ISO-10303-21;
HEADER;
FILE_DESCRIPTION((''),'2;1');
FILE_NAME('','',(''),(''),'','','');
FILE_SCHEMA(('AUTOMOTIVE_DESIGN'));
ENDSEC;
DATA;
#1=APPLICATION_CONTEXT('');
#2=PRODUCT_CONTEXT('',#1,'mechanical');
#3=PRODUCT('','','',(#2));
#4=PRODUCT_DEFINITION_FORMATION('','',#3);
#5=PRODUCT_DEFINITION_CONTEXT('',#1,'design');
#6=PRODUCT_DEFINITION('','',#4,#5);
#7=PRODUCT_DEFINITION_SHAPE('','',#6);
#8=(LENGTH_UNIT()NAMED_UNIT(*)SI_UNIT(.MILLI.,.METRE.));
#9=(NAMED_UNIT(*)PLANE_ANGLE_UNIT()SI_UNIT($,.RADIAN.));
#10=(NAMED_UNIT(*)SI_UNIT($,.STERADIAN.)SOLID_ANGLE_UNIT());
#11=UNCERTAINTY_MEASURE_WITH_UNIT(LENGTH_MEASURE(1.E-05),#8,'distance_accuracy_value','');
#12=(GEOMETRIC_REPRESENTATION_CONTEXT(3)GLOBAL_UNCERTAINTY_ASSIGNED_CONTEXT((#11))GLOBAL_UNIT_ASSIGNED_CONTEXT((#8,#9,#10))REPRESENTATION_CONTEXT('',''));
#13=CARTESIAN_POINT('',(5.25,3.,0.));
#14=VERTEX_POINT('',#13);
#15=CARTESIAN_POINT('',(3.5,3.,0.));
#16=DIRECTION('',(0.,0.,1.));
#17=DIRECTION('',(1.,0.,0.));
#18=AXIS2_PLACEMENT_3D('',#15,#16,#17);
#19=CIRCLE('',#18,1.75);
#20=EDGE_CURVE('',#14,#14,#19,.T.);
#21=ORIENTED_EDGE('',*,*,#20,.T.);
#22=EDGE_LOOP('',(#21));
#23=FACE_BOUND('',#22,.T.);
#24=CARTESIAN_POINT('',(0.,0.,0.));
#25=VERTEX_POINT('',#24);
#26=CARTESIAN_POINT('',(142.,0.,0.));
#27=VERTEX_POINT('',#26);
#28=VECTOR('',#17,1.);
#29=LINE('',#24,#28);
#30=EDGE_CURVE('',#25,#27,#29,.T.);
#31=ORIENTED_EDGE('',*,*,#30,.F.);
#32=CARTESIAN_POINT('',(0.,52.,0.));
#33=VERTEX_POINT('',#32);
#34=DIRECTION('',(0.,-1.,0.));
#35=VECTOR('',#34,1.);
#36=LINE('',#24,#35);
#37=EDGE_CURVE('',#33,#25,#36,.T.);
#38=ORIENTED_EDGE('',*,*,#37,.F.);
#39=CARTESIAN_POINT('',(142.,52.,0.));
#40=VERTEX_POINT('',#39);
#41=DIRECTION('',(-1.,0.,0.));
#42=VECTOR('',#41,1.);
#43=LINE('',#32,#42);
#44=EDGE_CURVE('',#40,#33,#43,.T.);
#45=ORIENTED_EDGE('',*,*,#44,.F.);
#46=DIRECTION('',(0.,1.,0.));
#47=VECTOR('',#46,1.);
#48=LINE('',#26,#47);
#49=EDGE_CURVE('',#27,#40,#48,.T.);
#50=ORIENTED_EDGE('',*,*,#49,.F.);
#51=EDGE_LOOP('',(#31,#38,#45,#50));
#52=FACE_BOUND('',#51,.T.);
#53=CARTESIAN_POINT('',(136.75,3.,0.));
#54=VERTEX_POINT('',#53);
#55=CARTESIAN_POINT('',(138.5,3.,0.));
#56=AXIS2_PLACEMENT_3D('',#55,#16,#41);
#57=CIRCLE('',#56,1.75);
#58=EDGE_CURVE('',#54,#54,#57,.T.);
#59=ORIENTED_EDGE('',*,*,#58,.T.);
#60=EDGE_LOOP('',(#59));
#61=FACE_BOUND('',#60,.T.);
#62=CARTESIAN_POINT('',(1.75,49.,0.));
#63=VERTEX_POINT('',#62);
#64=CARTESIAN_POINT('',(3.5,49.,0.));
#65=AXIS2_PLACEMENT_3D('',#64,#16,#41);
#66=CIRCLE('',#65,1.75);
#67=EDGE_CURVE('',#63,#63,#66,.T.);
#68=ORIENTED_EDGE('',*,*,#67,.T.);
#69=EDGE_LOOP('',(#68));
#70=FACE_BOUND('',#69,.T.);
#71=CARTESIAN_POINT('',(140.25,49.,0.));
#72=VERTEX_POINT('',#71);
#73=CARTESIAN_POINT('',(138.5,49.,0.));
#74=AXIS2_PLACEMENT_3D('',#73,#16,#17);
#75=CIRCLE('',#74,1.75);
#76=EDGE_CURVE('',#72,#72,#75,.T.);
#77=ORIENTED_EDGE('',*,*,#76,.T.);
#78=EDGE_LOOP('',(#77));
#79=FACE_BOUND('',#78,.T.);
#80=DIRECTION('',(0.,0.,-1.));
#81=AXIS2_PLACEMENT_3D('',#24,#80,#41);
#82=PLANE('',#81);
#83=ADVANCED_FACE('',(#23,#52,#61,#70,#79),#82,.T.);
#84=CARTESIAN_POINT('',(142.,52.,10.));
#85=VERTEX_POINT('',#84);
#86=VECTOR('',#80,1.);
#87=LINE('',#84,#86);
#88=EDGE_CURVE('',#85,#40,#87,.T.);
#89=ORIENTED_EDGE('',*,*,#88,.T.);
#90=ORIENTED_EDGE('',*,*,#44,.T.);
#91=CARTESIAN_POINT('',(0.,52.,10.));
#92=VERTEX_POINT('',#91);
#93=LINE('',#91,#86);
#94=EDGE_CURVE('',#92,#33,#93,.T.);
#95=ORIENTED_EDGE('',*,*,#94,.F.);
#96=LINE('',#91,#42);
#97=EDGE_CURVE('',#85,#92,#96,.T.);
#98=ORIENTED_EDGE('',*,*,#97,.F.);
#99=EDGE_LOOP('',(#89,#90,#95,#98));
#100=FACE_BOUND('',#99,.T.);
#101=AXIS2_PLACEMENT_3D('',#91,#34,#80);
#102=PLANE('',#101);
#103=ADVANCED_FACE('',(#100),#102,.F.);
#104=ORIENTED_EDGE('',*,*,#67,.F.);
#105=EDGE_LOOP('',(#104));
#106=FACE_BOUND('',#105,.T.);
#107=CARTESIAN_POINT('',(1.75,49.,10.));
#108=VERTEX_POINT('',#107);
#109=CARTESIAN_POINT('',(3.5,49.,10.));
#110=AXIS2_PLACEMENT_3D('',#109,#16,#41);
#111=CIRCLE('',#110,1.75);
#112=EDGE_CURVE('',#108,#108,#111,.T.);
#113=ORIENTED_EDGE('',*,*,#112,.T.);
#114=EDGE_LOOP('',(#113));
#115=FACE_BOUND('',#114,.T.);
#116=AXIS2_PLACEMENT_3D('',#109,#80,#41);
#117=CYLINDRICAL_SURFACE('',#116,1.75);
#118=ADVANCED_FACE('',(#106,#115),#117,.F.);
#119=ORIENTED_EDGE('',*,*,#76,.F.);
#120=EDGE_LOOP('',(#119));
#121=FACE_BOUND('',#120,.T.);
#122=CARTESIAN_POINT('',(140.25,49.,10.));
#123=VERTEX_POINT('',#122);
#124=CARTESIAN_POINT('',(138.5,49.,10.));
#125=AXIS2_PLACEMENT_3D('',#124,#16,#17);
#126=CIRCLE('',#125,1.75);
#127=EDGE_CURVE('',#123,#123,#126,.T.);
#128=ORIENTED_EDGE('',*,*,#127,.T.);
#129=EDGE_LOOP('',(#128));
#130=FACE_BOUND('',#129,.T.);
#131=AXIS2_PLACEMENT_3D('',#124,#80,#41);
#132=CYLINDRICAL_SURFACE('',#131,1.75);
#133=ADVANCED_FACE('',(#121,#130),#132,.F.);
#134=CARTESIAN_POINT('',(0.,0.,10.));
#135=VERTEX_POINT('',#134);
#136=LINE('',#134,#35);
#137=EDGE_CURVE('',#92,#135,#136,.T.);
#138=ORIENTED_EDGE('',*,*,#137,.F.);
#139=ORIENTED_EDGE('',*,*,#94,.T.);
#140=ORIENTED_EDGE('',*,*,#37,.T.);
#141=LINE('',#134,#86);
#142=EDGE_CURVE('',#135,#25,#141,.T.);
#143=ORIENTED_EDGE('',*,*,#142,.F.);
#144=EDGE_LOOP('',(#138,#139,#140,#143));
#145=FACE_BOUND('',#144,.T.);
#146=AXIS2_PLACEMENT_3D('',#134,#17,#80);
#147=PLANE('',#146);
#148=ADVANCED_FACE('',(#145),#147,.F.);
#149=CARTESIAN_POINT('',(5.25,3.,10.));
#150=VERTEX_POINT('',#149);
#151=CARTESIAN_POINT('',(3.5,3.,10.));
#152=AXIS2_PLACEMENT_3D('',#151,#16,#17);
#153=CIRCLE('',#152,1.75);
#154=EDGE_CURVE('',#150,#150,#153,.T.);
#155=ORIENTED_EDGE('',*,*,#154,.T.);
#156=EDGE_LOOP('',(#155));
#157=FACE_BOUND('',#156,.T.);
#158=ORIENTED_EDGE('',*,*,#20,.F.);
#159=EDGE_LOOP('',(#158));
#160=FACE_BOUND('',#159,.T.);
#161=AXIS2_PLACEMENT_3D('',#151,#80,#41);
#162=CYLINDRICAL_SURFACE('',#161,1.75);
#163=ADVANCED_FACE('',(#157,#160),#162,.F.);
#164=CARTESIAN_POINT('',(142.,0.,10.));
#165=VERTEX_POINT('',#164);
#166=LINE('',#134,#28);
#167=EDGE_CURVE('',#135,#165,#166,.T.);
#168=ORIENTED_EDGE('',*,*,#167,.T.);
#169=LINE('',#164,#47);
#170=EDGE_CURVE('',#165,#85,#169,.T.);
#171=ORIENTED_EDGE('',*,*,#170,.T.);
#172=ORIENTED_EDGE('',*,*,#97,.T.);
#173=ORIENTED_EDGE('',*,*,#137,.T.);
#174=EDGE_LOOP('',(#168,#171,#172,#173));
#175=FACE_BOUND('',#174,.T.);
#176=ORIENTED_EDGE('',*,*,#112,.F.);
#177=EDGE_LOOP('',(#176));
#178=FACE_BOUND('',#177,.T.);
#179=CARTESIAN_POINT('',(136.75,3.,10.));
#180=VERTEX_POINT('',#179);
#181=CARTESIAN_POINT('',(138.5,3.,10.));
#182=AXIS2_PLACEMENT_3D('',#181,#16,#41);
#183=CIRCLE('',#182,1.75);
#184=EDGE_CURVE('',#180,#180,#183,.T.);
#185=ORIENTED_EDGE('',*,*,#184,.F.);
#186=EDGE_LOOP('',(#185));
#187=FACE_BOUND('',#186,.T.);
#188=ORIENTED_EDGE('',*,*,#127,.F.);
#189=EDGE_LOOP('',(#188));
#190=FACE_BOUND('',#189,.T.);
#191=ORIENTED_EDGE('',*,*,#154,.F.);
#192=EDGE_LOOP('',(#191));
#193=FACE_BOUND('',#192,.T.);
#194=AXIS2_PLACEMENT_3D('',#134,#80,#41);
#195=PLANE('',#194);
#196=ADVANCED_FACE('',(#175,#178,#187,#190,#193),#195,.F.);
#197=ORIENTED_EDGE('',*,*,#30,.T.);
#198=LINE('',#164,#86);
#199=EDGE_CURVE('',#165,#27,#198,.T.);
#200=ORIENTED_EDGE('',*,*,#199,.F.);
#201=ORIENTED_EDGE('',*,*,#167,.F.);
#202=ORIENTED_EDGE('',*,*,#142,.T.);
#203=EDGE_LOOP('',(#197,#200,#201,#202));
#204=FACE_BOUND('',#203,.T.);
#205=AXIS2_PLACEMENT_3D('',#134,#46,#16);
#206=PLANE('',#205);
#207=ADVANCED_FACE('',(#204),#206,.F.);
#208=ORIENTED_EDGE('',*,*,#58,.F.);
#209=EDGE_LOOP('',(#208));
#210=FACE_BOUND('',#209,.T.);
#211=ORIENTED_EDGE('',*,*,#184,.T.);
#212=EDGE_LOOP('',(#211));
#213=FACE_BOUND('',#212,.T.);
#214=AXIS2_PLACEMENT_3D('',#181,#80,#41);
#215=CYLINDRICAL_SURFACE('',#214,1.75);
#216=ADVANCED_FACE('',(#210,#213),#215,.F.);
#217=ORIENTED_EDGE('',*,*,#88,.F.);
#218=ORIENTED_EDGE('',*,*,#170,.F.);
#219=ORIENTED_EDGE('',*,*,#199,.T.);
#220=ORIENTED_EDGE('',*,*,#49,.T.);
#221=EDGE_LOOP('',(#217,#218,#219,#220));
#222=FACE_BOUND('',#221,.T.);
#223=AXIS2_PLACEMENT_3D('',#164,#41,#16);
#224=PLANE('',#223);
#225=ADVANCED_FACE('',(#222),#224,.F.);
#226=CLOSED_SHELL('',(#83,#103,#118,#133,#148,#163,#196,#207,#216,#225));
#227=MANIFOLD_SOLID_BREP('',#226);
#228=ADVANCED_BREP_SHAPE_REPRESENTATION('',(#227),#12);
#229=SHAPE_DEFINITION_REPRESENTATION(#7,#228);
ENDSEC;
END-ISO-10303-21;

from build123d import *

# Parameters (mm, degrees)
SKETCH1_W           = 142
SKETCH1_H           = 52
SKETCH1_R           = 1.75
BOSS_EXTRUDE1_DEPTH = 10


with BuildPart() as part:
    # Sketch1 → Boss-Extrude1 (new body)
    with BuildSketch(Plane.XY):
        with Locations((71, 26)):
            Rectangle(SKETCH1_W, SKETCH1_H)
        with Locations((138.5, 49)):
            Circle(SKETCH1_R, mode=Mode.SUBTRACT)
        with Locations((3.5, 49)):
            Circle(SKETCH1_R, mode=Mode.SUBTRACT)
        with Locations((3.5, 3)):
            Circle(SKETCH1_R, mode=Mode.SUBTRACT)
        with Locations((138.5, 3)):
            Circle(SKETCH1_R, mode=Mode.SUBTRACT)
    extrude(amount=BOSS_EXTRUDE1_DEPTH)


solid = part.part
